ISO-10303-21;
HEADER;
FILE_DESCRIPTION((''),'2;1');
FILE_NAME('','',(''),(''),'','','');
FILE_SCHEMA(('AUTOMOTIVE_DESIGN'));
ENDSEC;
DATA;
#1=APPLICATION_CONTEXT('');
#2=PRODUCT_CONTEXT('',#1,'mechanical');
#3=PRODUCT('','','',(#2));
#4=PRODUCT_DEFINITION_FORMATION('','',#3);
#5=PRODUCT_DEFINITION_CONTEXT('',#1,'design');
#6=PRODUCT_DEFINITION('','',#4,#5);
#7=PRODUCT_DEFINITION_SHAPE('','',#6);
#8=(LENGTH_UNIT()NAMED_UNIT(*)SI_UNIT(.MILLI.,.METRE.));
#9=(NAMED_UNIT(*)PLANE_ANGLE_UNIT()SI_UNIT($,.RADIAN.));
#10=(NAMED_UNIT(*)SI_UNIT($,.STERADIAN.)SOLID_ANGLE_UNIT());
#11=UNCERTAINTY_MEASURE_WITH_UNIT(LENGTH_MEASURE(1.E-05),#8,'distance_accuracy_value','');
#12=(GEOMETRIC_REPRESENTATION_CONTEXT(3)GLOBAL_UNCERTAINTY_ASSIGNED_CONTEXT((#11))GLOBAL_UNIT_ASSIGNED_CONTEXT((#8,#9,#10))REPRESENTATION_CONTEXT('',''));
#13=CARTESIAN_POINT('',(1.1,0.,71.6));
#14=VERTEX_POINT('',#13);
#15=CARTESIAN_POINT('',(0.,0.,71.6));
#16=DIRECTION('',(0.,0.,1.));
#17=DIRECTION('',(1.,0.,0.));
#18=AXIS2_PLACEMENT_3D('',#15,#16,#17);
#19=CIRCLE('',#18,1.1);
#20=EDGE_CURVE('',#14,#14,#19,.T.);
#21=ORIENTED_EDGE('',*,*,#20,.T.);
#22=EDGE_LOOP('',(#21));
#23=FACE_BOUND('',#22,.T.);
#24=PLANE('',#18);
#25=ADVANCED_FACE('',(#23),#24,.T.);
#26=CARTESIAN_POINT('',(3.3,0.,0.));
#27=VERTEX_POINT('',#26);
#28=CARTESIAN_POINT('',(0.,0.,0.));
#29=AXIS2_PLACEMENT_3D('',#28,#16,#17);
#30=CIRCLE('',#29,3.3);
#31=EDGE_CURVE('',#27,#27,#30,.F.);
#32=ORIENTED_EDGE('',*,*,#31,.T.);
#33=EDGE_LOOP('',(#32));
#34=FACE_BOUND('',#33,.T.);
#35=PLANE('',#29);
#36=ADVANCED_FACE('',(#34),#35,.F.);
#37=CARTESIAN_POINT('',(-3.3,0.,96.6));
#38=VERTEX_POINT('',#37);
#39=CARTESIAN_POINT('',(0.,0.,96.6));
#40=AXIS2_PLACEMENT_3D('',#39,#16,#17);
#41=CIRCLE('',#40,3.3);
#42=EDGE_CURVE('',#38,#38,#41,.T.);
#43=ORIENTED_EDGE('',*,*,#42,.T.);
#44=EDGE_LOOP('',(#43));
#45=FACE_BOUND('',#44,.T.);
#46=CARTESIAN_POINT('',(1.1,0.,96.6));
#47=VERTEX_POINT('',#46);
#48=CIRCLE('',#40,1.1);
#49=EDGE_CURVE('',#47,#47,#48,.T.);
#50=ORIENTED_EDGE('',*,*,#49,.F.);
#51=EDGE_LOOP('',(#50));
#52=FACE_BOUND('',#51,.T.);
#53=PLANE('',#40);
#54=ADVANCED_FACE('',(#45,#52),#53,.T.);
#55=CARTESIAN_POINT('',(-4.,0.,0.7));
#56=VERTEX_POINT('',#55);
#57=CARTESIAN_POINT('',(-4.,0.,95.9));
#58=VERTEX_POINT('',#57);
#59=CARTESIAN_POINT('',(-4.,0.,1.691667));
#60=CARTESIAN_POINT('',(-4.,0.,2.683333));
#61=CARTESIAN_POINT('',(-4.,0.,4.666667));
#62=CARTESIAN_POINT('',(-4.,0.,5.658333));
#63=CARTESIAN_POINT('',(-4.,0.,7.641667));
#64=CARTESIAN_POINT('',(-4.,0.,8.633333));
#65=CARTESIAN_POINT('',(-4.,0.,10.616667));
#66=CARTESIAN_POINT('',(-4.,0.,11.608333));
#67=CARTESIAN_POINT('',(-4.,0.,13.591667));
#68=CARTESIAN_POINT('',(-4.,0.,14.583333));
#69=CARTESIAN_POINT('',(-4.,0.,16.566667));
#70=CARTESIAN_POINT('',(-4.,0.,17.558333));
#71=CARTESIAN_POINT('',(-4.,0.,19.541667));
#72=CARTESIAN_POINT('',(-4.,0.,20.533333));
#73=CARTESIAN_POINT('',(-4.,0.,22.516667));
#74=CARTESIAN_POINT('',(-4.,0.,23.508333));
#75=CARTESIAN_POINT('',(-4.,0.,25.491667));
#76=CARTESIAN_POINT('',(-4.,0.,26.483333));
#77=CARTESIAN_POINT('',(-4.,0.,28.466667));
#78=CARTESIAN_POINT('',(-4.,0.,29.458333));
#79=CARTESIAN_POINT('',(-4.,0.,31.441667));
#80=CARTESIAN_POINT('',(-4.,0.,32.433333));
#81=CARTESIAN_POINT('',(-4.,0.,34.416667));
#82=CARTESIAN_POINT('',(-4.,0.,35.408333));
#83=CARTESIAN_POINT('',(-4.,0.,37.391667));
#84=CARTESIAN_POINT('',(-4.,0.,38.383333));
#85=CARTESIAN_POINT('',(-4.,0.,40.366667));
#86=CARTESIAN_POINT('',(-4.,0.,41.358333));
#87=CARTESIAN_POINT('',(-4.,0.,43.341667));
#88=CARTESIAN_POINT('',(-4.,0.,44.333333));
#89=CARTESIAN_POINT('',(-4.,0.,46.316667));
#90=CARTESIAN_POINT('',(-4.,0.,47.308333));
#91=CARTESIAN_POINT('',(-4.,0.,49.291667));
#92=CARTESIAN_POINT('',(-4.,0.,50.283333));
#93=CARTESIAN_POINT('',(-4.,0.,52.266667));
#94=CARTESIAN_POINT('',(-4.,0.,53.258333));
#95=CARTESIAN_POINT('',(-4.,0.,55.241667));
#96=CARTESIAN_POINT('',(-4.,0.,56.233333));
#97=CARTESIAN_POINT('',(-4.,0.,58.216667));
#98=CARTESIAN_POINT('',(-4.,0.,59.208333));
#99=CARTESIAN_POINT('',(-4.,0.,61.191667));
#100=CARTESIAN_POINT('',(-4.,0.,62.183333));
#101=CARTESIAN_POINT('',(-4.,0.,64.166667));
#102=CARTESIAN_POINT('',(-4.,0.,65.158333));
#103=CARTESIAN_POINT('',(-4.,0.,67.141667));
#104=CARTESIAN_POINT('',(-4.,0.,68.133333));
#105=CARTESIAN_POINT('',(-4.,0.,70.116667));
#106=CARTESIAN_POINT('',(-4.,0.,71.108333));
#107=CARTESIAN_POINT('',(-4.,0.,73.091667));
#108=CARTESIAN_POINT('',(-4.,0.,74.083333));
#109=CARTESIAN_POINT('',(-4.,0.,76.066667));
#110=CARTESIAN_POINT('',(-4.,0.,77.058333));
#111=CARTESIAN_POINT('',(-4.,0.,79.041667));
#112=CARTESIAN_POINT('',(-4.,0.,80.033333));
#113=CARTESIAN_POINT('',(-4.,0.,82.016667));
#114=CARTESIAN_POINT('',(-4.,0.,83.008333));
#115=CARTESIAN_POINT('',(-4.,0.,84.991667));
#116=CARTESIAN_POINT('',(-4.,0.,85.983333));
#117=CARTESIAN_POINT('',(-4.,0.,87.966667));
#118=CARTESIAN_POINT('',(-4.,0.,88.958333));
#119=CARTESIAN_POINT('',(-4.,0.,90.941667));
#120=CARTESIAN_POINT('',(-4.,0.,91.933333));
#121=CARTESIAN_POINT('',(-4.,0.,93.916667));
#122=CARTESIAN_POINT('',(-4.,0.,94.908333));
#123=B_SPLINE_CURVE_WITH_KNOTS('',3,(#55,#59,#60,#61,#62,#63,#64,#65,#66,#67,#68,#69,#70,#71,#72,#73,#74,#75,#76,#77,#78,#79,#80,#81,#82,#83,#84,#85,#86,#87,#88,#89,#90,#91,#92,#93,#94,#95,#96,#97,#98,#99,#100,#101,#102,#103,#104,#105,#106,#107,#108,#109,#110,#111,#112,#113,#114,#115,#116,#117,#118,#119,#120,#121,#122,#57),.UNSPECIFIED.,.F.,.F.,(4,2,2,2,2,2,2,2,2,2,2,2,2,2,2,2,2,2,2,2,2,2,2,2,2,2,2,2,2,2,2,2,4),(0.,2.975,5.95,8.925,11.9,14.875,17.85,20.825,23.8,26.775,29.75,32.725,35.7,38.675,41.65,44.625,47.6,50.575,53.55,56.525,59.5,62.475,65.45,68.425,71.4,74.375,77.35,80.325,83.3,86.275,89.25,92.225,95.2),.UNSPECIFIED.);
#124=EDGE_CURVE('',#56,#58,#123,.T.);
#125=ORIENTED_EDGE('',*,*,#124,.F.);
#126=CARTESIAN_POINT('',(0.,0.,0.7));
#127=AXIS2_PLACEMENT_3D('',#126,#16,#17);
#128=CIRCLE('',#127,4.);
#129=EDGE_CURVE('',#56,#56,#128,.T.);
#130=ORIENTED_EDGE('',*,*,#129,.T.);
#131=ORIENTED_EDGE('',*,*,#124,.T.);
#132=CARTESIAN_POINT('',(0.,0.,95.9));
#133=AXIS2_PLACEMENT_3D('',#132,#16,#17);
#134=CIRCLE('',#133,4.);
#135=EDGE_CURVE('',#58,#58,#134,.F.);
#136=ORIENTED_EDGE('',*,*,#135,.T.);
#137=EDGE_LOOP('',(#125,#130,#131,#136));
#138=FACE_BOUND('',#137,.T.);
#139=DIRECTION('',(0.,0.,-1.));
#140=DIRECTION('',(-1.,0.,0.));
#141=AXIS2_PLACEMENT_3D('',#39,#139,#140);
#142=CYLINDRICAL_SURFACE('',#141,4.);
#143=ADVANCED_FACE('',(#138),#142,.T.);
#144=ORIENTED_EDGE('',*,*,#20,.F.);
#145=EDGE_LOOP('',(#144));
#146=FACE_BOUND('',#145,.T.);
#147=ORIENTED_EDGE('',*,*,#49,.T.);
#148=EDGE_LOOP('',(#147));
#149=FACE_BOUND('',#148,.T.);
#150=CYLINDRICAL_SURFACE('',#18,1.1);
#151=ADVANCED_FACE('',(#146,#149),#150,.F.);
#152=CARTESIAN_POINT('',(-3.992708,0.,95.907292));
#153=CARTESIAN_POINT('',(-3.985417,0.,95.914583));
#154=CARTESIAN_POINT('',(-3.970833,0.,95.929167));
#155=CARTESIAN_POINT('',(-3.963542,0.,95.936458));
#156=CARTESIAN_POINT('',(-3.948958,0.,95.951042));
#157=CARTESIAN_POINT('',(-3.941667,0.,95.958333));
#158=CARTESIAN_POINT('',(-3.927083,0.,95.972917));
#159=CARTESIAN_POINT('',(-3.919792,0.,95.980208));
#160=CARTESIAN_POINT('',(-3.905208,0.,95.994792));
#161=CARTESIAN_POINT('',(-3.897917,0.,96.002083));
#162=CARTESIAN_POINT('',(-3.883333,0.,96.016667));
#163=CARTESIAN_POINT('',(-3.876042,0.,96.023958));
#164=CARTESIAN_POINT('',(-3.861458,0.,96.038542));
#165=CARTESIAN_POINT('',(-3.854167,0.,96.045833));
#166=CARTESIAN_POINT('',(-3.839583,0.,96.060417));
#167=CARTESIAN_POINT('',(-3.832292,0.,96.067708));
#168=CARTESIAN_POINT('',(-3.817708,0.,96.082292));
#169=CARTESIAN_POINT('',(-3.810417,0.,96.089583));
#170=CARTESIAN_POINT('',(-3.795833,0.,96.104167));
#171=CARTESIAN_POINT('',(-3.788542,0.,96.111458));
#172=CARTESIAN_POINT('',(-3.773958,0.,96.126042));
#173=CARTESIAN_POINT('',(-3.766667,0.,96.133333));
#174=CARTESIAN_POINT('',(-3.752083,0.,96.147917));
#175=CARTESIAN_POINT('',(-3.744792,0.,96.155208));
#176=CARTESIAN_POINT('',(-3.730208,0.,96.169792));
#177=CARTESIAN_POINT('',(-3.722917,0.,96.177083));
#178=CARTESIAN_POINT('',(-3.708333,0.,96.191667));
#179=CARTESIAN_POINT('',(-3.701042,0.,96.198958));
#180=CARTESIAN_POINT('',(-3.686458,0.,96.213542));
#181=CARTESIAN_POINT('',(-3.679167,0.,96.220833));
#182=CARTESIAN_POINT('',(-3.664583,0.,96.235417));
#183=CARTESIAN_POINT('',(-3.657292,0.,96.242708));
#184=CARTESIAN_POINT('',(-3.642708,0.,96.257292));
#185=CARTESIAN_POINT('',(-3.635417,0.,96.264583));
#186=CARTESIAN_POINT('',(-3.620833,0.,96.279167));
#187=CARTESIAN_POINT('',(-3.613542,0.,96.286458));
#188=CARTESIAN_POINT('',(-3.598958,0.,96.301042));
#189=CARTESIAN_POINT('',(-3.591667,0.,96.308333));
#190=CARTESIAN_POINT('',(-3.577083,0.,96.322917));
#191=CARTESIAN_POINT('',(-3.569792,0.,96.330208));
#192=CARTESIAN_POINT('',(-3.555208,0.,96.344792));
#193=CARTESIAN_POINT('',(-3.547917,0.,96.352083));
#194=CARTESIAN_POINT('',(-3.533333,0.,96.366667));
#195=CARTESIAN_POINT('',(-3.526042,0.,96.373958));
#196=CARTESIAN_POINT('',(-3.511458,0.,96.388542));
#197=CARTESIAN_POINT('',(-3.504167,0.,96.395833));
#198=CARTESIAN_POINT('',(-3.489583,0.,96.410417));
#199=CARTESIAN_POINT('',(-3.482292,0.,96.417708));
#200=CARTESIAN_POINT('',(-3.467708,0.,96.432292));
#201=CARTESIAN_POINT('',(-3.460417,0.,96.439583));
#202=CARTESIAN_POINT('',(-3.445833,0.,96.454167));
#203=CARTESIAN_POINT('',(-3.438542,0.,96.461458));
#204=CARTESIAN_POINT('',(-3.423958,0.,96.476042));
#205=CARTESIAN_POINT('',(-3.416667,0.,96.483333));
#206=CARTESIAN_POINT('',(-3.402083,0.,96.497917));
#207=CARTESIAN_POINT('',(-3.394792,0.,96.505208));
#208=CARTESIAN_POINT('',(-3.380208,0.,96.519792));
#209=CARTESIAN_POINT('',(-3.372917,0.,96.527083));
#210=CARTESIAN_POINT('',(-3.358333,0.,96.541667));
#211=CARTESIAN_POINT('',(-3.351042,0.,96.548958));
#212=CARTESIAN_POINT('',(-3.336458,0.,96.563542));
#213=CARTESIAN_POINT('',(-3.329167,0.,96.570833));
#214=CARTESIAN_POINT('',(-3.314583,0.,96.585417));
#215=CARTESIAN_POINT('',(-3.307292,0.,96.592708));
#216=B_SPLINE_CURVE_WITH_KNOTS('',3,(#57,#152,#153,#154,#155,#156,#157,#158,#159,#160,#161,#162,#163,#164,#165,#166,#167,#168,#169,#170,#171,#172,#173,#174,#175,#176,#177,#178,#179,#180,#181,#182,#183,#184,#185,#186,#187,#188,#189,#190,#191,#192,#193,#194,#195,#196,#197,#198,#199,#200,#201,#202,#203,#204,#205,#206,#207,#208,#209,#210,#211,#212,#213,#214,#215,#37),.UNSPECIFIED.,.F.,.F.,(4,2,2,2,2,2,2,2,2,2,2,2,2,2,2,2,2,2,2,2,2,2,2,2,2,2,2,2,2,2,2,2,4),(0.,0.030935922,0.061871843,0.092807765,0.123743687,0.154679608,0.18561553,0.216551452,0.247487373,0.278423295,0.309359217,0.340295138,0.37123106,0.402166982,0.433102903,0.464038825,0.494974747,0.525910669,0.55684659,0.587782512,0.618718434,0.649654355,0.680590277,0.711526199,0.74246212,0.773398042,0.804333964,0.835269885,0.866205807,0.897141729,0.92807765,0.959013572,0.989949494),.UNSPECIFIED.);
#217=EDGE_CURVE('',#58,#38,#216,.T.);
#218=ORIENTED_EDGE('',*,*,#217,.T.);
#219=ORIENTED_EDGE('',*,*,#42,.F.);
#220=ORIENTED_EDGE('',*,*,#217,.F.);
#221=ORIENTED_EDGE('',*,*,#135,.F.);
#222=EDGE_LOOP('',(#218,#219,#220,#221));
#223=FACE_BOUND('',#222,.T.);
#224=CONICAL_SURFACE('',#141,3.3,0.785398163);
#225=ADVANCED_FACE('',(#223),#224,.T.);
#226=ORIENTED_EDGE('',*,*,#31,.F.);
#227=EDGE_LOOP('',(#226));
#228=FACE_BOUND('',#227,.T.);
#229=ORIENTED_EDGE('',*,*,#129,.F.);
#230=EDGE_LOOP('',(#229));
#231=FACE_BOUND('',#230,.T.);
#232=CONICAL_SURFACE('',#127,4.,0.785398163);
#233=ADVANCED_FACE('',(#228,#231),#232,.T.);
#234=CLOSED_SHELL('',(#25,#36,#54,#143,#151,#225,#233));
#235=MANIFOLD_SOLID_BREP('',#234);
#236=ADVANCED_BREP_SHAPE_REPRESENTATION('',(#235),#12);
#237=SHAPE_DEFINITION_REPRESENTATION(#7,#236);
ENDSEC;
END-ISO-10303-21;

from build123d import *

# Parameters (mm, degrees)
IZIM1_R                     = 4
Y_KSEKLIK_EKSTR_ZYON1_DEPTH = 96.6
IZIM3_R                     = 1.1
KES_EKSTR_ZYON2_DEPTH       = 25
PAH1_SIZE                   = 0.7
PAH2_SIZE                   = 0.7


with BuildPart() as part:
    # Çizim1 → Yükseklik-Ekstrüzyon1 (new body)
    with BuildSketch(Plane.XY):
        with Locations(Location((0, 0, 0), (0, 0, 180))):
            Circle(IZIM1_R)
    extrude(amount=Y_KSEKLIK_EKSTR_ZYON1_DEPTH)

    # Çizim3 → Kes-Ekstrüzyon2 (cut)
    with BuildSketch(Plane.XY.offset(96.6)):
        Circle(IZIM3_R)
    extrude(amount=-KES_EKSTR_ZYON2_DEPTH, mode=Mode.SUBTRACT)

    # Pah1
    pah1_edges = [part.edges().sort_by_distance(p)[0] for p in [
        (4, 0, 96.6),
    ]]
    chamfer(pah1_edges, length=PAH1_SIZE)

    # Pah2
    pah2_edges = [part.edges().sort_by_distance(p)[0] for p in [
        (4, 0, 0),
    ]]
    chamfer(pah2_edges, length=PAH2_SIZE)


solid = part.part
